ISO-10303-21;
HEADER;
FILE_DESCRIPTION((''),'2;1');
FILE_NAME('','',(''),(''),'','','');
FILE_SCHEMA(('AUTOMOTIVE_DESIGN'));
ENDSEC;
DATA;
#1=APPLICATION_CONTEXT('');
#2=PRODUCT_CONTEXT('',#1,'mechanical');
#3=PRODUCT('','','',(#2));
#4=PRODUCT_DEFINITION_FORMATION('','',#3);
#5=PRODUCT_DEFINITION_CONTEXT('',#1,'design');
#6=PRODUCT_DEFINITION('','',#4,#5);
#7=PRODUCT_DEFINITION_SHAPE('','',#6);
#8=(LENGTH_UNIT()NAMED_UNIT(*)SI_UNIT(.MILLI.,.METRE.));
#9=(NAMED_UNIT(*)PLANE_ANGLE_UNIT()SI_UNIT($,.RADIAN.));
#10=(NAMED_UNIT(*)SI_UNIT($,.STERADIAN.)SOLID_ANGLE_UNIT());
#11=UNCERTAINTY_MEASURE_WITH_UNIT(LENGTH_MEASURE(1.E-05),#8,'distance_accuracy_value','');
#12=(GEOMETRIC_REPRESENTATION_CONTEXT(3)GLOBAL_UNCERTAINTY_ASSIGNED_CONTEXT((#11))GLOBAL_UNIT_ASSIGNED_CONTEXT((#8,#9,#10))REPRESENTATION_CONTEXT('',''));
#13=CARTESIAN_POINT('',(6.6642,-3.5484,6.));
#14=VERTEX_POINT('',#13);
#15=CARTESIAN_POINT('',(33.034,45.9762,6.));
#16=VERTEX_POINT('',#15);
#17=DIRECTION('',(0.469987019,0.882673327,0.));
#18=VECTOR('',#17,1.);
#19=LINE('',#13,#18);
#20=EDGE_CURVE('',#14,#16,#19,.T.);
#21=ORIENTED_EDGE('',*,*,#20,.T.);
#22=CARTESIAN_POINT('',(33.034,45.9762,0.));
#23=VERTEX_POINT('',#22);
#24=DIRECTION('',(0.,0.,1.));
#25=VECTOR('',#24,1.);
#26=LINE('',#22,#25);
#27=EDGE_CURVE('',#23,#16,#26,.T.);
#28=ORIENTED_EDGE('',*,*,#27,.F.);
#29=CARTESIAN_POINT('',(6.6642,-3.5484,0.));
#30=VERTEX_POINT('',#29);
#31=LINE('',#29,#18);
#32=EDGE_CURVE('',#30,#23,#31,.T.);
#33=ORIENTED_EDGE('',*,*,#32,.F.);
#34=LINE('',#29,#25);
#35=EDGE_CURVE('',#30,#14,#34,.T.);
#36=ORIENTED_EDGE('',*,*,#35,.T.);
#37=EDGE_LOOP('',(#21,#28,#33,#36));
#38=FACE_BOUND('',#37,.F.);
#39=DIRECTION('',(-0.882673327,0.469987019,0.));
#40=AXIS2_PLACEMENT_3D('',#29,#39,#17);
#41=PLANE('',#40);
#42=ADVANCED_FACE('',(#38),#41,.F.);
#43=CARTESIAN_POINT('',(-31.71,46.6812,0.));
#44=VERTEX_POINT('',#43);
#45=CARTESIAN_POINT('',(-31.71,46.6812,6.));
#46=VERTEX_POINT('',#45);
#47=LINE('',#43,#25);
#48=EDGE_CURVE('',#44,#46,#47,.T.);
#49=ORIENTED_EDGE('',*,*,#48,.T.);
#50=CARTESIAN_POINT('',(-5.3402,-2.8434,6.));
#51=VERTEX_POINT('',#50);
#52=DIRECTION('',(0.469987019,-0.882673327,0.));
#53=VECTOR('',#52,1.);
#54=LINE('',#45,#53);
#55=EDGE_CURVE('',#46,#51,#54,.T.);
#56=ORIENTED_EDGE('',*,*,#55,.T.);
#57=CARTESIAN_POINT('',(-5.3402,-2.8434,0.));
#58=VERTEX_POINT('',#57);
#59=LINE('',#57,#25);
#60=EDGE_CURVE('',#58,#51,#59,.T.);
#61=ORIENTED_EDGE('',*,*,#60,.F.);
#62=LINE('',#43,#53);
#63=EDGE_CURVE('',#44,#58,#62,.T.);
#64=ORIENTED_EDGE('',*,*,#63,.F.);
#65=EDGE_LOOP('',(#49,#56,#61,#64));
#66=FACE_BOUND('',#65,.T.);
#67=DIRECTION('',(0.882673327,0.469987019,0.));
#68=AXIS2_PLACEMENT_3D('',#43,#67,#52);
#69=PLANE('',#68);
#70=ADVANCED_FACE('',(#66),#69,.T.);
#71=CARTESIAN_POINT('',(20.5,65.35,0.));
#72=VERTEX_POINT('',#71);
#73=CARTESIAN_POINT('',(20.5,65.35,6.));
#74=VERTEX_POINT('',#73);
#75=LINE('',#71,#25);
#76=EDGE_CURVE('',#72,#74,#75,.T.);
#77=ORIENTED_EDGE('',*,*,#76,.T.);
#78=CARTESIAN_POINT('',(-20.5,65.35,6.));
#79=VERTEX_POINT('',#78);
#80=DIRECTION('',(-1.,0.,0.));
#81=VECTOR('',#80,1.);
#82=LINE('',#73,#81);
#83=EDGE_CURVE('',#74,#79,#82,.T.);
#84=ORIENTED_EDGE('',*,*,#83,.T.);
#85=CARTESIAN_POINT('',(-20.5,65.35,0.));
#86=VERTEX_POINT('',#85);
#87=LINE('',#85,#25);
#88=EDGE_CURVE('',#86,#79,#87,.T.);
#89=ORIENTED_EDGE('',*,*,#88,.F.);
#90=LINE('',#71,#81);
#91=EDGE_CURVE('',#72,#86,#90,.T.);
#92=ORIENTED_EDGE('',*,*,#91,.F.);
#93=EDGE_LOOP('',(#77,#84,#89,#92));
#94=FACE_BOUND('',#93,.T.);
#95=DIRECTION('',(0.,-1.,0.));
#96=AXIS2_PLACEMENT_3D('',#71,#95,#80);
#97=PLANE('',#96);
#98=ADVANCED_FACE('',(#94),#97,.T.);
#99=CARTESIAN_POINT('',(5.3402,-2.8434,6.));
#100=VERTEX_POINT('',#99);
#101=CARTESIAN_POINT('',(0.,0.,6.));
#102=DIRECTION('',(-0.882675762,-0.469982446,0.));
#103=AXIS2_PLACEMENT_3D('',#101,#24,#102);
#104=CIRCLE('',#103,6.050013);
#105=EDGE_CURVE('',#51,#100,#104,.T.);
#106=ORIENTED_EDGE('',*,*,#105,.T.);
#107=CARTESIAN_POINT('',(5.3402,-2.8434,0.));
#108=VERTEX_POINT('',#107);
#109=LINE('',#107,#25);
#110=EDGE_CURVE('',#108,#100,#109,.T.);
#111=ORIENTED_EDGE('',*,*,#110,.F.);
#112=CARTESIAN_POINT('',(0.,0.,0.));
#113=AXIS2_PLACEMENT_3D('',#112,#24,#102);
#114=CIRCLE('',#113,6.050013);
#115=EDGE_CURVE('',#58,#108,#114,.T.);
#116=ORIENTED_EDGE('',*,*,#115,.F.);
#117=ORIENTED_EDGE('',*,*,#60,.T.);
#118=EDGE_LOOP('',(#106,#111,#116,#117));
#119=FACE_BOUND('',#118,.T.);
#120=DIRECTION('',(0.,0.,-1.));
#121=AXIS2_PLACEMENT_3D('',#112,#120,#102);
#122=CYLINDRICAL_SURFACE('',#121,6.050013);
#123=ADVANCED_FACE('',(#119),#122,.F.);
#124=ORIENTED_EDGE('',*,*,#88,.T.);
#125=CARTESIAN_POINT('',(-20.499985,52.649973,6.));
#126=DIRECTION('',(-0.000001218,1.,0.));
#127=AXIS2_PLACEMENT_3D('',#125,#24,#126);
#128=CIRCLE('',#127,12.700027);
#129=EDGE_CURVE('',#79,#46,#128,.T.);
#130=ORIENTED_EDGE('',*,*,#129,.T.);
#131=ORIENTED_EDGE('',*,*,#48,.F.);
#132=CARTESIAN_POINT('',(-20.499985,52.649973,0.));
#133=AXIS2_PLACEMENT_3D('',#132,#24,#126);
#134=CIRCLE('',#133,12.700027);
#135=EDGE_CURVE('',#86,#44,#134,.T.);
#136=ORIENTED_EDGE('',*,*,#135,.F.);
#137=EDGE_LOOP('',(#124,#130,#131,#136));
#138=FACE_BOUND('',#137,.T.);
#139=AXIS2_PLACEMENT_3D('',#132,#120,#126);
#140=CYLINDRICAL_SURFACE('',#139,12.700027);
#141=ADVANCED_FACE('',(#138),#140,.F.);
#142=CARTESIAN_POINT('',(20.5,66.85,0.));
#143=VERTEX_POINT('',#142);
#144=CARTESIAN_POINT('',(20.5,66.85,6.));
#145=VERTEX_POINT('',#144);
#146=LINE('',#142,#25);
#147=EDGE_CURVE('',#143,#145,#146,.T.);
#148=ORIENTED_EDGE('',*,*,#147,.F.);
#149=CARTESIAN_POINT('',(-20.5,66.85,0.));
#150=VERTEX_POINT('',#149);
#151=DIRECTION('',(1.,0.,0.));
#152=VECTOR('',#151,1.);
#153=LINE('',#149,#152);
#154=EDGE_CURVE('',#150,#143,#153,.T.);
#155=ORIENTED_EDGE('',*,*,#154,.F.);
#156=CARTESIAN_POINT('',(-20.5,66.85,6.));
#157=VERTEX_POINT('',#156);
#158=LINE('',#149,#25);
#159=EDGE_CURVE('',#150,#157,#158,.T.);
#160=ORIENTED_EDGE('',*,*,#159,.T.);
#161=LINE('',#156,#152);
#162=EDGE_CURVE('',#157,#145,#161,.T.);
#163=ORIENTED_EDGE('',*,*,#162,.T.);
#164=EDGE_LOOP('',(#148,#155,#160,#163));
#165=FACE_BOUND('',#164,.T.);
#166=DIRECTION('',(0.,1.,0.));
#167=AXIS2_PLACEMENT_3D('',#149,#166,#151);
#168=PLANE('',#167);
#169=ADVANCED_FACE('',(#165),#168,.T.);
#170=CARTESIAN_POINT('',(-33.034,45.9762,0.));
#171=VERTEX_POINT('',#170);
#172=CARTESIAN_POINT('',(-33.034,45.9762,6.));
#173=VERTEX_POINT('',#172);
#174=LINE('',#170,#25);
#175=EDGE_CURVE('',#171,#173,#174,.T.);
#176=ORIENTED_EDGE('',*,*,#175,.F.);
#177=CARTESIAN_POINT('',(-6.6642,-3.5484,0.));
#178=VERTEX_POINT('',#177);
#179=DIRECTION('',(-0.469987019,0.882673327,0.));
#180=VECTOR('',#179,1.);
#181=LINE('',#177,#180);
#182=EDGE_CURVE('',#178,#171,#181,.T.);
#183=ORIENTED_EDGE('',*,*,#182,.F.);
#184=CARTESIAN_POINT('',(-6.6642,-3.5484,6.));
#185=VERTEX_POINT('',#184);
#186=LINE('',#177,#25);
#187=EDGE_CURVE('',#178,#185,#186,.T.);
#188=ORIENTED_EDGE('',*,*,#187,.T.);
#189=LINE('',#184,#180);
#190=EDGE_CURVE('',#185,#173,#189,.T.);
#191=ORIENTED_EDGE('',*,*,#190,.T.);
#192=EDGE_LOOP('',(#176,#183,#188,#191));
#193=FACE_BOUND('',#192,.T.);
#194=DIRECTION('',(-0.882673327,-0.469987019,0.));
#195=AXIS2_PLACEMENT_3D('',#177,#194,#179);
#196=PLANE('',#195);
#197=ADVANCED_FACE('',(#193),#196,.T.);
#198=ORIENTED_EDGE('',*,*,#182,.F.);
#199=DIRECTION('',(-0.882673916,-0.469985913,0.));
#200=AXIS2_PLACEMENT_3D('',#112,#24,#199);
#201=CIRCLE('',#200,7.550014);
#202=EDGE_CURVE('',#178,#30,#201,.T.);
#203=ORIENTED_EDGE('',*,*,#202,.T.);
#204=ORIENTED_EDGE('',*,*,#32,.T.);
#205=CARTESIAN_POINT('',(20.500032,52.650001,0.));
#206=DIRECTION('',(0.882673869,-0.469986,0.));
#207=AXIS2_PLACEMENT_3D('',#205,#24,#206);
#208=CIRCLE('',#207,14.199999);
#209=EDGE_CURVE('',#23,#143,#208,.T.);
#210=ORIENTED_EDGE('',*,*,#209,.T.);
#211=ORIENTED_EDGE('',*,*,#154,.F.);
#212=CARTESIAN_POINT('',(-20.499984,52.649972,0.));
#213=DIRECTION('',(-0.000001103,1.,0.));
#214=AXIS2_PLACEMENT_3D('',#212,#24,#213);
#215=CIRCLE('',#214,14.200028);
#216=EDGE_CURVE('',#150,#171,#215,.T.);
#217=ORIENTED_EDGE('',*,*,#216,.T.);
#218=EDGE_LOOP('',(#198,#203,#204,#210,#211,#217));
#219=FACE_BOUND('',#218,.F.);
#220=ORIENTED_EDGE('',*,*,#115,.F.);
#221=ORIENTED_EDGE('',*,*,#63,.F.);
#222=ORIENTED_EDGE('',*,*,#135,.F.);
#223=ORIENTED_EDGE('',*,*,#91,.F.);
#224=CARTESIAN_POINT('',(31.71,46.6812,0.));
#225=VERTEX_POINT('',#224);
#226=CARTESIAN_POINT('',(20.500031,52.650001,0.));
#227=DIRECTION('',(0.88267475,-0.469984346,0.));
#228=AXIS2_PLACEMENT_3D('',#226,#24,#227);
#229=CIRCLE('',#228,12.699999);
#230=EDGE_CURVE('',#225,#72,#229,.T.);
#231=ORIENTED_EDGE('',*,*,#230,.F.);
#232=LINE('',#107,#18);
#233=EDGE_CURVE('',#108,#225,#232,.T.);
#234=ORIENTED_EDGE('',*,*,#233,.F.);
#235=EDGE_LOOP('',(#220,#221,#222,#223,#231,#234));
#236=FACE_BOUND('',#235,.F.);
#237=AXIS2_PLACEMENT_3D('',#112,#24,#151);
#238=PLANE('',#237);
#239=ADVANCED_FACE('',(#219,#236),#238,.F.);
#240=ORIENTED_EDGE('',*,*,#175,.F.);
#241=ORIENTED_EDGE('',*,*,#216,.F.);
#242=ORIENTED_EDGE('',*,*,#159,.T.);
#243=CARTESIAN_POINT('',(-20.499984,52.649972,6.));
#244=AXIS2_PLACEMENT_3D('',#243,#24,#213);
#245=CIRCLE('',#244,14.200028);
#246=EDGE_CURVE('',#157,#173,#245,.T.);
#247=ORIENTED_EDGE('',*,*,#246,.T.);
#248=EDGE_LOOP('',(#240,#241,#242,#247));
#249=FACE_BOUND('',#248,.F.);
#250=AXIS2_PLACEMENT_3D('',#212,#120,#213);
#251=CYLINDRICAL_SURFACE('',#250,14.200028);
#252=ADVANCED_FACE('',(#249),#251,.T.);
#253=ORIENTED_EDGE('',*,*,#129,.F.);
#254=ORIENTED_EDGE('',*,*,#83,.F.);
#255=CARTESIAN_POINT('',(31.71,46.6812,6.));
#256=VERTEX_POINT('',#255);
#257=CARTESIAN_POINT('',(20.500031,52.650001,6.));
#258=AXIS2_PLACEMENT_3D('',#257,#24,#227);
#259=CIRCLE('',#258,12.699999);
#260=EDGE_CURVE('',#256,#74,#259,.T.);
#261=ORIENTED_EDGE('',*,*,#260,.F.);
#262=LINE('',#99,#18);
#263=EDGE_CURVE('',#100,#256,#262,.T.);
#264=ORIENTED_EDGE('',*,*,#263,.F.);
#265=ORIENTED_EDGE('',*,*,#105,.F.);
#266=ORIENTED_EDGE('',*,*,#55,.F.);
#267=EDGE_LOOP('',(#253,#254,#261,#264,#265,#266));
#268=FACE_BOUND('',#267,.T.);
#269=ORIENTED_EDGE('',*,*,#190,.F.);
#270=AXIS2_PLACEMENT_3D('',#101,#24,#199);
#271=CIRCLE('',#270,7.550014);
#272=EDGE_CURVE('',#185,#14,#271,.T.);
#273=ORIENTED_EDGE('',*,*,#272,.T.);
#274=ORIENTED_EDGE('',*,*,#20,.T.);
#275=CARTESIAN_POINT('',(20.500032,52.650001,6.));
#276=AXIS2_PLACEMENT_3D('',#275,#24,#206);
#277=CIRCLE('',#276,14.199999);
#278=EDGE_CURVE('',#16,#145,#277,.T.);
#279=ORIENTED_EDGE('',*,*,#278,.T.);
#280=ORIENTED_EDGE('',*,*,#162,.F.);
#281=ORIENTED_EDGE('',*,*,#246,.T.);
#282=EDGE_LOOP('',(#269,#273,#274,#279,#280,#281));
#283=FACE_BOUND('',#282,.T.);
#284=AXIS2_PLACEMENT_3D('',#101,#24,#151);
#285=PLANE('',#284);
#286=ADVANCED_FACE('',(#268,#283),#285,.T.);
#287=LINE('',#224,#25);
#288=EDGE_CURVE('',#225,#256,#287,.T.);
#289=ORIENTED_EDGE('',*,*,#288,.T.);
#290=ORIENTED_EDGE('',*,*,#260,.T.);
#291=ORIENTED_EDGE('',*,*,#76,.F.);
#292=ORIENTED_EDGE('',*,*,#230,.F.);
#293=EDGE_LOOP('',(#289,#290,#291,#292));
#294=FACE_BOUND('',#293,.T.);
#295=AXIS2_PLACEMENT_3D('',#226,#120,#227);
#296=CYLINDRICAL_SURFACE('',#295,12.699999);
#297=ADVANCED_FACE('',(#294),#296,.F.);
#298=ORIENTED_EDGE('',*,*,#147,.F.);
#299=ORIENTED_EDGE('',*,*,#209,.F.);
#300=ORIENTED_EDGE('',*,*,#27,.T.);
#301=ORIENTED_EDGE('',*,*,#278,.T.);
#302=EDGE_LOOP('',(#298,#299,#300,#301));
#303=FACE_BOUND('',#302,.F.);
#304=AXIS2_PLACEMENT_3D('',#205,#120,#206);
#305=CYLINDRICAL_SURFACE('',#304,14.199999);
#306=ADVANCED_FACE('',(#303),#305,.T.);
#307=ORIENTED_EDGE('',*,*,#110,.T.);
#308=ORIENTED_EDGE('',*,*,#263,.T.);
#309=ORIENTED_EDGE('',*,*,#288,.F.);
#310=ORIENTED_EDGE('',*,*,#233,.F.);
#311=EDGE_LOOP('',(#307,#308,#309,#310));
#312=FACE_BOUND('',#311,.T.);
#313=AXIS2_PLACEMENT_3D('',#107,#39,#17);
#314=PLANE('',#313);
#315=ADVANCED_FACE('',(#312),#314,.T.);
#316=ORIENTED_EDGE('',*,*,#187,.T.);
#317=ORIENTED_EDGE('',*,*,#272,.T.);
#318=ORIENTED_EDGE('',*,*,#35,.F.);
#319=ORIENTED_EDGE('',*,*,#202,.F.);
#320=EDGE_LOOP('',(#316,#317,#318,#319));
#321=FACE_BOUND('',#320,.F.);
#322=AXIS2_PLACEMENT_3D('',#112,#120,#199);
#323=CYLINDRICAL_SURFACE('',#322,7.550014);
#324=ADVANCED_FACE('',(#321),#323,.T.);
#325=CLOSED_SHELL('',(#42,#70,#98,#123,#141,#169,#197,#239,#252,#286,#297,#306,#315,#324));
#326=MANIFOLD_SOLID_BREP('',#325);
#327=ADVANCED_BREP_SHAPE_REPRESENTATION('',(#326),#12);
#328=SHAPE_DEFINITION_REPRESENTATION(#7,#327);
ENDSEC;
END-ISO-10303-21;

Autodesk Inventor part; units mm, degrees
ref_plane "YZ Plane" through (0, 0, 0) normal (1, 0, 0) x (0, 1, 0)
ref_plane "XZ Plane" through (0, 0, 0) normal (0, 1, 0) x (-1, 0, 0)
ref_plane "XY Plane" through (0, 0, 0) normal (0, 0, 1) x (1, 0, 0)
sketch "Sketch1" plane through (0, 0, 0) normal (0, 0, 1) x (1, 0, 0)
  arc A0 (-5.3402, -2.8434) -> (5.3402, -2.8434) centre (0, 0) ccw
  arc A1 (-6.6642, -3.5484) -> (6.6642, -3.5484) centre (0, 0) ccw
  circle A2 centre (-20.5, 52.65) radius 1.25 projected
  circle A3 centre (20.5, 52.65) radius 1.25 projected
  arc A4 (-20.5, 65.35) -> (-31.71, 46.6812) centre (-20.5, 52.65) ccw
  arc A5 (31.71, 46.6812) -> (20.5, 65.35) centre (20.5, 52.65) ccw
  arc A6 (-20.5, 66.85) -> (-33.034, 45.9762) centre (-20.5, 52.65) ccw
  arc A7 (33.034, 45.9762) -> (20.5, 66.85) centre (20.5, 52.65) ccw
  line L0 (-6.6642, -3.5484) -> (-33.034, 45.9762)
  line L1 (-31.71, 46.6812) -> (-5.3402, -2.8434)
  line L2 (6.6642, -3.5484) -> (33.034, 45.9762)
  line L3 (5.3402, -2.8434) -> (31.71, 46.6812)
  line L4 (-20.5, 66.85) -> (20.5, 66.85)
  line L5 (20.5, 65.35) -> (-20.5, 65.35)
  dimension "d0" = 12.1
  dimension "d4" = 25.4
  dimension "d5" = 25.4
  dimension "d6" = 1.5
  dimension "d7" = 1.5
extrude "Extrusion1" add sketch "Sketch1" along normal blind 6 contours L0 A6 L4 A7 L2 A1
equation "\"d4\" = d5"
properties part number "Belt_A" material "Rubber"
